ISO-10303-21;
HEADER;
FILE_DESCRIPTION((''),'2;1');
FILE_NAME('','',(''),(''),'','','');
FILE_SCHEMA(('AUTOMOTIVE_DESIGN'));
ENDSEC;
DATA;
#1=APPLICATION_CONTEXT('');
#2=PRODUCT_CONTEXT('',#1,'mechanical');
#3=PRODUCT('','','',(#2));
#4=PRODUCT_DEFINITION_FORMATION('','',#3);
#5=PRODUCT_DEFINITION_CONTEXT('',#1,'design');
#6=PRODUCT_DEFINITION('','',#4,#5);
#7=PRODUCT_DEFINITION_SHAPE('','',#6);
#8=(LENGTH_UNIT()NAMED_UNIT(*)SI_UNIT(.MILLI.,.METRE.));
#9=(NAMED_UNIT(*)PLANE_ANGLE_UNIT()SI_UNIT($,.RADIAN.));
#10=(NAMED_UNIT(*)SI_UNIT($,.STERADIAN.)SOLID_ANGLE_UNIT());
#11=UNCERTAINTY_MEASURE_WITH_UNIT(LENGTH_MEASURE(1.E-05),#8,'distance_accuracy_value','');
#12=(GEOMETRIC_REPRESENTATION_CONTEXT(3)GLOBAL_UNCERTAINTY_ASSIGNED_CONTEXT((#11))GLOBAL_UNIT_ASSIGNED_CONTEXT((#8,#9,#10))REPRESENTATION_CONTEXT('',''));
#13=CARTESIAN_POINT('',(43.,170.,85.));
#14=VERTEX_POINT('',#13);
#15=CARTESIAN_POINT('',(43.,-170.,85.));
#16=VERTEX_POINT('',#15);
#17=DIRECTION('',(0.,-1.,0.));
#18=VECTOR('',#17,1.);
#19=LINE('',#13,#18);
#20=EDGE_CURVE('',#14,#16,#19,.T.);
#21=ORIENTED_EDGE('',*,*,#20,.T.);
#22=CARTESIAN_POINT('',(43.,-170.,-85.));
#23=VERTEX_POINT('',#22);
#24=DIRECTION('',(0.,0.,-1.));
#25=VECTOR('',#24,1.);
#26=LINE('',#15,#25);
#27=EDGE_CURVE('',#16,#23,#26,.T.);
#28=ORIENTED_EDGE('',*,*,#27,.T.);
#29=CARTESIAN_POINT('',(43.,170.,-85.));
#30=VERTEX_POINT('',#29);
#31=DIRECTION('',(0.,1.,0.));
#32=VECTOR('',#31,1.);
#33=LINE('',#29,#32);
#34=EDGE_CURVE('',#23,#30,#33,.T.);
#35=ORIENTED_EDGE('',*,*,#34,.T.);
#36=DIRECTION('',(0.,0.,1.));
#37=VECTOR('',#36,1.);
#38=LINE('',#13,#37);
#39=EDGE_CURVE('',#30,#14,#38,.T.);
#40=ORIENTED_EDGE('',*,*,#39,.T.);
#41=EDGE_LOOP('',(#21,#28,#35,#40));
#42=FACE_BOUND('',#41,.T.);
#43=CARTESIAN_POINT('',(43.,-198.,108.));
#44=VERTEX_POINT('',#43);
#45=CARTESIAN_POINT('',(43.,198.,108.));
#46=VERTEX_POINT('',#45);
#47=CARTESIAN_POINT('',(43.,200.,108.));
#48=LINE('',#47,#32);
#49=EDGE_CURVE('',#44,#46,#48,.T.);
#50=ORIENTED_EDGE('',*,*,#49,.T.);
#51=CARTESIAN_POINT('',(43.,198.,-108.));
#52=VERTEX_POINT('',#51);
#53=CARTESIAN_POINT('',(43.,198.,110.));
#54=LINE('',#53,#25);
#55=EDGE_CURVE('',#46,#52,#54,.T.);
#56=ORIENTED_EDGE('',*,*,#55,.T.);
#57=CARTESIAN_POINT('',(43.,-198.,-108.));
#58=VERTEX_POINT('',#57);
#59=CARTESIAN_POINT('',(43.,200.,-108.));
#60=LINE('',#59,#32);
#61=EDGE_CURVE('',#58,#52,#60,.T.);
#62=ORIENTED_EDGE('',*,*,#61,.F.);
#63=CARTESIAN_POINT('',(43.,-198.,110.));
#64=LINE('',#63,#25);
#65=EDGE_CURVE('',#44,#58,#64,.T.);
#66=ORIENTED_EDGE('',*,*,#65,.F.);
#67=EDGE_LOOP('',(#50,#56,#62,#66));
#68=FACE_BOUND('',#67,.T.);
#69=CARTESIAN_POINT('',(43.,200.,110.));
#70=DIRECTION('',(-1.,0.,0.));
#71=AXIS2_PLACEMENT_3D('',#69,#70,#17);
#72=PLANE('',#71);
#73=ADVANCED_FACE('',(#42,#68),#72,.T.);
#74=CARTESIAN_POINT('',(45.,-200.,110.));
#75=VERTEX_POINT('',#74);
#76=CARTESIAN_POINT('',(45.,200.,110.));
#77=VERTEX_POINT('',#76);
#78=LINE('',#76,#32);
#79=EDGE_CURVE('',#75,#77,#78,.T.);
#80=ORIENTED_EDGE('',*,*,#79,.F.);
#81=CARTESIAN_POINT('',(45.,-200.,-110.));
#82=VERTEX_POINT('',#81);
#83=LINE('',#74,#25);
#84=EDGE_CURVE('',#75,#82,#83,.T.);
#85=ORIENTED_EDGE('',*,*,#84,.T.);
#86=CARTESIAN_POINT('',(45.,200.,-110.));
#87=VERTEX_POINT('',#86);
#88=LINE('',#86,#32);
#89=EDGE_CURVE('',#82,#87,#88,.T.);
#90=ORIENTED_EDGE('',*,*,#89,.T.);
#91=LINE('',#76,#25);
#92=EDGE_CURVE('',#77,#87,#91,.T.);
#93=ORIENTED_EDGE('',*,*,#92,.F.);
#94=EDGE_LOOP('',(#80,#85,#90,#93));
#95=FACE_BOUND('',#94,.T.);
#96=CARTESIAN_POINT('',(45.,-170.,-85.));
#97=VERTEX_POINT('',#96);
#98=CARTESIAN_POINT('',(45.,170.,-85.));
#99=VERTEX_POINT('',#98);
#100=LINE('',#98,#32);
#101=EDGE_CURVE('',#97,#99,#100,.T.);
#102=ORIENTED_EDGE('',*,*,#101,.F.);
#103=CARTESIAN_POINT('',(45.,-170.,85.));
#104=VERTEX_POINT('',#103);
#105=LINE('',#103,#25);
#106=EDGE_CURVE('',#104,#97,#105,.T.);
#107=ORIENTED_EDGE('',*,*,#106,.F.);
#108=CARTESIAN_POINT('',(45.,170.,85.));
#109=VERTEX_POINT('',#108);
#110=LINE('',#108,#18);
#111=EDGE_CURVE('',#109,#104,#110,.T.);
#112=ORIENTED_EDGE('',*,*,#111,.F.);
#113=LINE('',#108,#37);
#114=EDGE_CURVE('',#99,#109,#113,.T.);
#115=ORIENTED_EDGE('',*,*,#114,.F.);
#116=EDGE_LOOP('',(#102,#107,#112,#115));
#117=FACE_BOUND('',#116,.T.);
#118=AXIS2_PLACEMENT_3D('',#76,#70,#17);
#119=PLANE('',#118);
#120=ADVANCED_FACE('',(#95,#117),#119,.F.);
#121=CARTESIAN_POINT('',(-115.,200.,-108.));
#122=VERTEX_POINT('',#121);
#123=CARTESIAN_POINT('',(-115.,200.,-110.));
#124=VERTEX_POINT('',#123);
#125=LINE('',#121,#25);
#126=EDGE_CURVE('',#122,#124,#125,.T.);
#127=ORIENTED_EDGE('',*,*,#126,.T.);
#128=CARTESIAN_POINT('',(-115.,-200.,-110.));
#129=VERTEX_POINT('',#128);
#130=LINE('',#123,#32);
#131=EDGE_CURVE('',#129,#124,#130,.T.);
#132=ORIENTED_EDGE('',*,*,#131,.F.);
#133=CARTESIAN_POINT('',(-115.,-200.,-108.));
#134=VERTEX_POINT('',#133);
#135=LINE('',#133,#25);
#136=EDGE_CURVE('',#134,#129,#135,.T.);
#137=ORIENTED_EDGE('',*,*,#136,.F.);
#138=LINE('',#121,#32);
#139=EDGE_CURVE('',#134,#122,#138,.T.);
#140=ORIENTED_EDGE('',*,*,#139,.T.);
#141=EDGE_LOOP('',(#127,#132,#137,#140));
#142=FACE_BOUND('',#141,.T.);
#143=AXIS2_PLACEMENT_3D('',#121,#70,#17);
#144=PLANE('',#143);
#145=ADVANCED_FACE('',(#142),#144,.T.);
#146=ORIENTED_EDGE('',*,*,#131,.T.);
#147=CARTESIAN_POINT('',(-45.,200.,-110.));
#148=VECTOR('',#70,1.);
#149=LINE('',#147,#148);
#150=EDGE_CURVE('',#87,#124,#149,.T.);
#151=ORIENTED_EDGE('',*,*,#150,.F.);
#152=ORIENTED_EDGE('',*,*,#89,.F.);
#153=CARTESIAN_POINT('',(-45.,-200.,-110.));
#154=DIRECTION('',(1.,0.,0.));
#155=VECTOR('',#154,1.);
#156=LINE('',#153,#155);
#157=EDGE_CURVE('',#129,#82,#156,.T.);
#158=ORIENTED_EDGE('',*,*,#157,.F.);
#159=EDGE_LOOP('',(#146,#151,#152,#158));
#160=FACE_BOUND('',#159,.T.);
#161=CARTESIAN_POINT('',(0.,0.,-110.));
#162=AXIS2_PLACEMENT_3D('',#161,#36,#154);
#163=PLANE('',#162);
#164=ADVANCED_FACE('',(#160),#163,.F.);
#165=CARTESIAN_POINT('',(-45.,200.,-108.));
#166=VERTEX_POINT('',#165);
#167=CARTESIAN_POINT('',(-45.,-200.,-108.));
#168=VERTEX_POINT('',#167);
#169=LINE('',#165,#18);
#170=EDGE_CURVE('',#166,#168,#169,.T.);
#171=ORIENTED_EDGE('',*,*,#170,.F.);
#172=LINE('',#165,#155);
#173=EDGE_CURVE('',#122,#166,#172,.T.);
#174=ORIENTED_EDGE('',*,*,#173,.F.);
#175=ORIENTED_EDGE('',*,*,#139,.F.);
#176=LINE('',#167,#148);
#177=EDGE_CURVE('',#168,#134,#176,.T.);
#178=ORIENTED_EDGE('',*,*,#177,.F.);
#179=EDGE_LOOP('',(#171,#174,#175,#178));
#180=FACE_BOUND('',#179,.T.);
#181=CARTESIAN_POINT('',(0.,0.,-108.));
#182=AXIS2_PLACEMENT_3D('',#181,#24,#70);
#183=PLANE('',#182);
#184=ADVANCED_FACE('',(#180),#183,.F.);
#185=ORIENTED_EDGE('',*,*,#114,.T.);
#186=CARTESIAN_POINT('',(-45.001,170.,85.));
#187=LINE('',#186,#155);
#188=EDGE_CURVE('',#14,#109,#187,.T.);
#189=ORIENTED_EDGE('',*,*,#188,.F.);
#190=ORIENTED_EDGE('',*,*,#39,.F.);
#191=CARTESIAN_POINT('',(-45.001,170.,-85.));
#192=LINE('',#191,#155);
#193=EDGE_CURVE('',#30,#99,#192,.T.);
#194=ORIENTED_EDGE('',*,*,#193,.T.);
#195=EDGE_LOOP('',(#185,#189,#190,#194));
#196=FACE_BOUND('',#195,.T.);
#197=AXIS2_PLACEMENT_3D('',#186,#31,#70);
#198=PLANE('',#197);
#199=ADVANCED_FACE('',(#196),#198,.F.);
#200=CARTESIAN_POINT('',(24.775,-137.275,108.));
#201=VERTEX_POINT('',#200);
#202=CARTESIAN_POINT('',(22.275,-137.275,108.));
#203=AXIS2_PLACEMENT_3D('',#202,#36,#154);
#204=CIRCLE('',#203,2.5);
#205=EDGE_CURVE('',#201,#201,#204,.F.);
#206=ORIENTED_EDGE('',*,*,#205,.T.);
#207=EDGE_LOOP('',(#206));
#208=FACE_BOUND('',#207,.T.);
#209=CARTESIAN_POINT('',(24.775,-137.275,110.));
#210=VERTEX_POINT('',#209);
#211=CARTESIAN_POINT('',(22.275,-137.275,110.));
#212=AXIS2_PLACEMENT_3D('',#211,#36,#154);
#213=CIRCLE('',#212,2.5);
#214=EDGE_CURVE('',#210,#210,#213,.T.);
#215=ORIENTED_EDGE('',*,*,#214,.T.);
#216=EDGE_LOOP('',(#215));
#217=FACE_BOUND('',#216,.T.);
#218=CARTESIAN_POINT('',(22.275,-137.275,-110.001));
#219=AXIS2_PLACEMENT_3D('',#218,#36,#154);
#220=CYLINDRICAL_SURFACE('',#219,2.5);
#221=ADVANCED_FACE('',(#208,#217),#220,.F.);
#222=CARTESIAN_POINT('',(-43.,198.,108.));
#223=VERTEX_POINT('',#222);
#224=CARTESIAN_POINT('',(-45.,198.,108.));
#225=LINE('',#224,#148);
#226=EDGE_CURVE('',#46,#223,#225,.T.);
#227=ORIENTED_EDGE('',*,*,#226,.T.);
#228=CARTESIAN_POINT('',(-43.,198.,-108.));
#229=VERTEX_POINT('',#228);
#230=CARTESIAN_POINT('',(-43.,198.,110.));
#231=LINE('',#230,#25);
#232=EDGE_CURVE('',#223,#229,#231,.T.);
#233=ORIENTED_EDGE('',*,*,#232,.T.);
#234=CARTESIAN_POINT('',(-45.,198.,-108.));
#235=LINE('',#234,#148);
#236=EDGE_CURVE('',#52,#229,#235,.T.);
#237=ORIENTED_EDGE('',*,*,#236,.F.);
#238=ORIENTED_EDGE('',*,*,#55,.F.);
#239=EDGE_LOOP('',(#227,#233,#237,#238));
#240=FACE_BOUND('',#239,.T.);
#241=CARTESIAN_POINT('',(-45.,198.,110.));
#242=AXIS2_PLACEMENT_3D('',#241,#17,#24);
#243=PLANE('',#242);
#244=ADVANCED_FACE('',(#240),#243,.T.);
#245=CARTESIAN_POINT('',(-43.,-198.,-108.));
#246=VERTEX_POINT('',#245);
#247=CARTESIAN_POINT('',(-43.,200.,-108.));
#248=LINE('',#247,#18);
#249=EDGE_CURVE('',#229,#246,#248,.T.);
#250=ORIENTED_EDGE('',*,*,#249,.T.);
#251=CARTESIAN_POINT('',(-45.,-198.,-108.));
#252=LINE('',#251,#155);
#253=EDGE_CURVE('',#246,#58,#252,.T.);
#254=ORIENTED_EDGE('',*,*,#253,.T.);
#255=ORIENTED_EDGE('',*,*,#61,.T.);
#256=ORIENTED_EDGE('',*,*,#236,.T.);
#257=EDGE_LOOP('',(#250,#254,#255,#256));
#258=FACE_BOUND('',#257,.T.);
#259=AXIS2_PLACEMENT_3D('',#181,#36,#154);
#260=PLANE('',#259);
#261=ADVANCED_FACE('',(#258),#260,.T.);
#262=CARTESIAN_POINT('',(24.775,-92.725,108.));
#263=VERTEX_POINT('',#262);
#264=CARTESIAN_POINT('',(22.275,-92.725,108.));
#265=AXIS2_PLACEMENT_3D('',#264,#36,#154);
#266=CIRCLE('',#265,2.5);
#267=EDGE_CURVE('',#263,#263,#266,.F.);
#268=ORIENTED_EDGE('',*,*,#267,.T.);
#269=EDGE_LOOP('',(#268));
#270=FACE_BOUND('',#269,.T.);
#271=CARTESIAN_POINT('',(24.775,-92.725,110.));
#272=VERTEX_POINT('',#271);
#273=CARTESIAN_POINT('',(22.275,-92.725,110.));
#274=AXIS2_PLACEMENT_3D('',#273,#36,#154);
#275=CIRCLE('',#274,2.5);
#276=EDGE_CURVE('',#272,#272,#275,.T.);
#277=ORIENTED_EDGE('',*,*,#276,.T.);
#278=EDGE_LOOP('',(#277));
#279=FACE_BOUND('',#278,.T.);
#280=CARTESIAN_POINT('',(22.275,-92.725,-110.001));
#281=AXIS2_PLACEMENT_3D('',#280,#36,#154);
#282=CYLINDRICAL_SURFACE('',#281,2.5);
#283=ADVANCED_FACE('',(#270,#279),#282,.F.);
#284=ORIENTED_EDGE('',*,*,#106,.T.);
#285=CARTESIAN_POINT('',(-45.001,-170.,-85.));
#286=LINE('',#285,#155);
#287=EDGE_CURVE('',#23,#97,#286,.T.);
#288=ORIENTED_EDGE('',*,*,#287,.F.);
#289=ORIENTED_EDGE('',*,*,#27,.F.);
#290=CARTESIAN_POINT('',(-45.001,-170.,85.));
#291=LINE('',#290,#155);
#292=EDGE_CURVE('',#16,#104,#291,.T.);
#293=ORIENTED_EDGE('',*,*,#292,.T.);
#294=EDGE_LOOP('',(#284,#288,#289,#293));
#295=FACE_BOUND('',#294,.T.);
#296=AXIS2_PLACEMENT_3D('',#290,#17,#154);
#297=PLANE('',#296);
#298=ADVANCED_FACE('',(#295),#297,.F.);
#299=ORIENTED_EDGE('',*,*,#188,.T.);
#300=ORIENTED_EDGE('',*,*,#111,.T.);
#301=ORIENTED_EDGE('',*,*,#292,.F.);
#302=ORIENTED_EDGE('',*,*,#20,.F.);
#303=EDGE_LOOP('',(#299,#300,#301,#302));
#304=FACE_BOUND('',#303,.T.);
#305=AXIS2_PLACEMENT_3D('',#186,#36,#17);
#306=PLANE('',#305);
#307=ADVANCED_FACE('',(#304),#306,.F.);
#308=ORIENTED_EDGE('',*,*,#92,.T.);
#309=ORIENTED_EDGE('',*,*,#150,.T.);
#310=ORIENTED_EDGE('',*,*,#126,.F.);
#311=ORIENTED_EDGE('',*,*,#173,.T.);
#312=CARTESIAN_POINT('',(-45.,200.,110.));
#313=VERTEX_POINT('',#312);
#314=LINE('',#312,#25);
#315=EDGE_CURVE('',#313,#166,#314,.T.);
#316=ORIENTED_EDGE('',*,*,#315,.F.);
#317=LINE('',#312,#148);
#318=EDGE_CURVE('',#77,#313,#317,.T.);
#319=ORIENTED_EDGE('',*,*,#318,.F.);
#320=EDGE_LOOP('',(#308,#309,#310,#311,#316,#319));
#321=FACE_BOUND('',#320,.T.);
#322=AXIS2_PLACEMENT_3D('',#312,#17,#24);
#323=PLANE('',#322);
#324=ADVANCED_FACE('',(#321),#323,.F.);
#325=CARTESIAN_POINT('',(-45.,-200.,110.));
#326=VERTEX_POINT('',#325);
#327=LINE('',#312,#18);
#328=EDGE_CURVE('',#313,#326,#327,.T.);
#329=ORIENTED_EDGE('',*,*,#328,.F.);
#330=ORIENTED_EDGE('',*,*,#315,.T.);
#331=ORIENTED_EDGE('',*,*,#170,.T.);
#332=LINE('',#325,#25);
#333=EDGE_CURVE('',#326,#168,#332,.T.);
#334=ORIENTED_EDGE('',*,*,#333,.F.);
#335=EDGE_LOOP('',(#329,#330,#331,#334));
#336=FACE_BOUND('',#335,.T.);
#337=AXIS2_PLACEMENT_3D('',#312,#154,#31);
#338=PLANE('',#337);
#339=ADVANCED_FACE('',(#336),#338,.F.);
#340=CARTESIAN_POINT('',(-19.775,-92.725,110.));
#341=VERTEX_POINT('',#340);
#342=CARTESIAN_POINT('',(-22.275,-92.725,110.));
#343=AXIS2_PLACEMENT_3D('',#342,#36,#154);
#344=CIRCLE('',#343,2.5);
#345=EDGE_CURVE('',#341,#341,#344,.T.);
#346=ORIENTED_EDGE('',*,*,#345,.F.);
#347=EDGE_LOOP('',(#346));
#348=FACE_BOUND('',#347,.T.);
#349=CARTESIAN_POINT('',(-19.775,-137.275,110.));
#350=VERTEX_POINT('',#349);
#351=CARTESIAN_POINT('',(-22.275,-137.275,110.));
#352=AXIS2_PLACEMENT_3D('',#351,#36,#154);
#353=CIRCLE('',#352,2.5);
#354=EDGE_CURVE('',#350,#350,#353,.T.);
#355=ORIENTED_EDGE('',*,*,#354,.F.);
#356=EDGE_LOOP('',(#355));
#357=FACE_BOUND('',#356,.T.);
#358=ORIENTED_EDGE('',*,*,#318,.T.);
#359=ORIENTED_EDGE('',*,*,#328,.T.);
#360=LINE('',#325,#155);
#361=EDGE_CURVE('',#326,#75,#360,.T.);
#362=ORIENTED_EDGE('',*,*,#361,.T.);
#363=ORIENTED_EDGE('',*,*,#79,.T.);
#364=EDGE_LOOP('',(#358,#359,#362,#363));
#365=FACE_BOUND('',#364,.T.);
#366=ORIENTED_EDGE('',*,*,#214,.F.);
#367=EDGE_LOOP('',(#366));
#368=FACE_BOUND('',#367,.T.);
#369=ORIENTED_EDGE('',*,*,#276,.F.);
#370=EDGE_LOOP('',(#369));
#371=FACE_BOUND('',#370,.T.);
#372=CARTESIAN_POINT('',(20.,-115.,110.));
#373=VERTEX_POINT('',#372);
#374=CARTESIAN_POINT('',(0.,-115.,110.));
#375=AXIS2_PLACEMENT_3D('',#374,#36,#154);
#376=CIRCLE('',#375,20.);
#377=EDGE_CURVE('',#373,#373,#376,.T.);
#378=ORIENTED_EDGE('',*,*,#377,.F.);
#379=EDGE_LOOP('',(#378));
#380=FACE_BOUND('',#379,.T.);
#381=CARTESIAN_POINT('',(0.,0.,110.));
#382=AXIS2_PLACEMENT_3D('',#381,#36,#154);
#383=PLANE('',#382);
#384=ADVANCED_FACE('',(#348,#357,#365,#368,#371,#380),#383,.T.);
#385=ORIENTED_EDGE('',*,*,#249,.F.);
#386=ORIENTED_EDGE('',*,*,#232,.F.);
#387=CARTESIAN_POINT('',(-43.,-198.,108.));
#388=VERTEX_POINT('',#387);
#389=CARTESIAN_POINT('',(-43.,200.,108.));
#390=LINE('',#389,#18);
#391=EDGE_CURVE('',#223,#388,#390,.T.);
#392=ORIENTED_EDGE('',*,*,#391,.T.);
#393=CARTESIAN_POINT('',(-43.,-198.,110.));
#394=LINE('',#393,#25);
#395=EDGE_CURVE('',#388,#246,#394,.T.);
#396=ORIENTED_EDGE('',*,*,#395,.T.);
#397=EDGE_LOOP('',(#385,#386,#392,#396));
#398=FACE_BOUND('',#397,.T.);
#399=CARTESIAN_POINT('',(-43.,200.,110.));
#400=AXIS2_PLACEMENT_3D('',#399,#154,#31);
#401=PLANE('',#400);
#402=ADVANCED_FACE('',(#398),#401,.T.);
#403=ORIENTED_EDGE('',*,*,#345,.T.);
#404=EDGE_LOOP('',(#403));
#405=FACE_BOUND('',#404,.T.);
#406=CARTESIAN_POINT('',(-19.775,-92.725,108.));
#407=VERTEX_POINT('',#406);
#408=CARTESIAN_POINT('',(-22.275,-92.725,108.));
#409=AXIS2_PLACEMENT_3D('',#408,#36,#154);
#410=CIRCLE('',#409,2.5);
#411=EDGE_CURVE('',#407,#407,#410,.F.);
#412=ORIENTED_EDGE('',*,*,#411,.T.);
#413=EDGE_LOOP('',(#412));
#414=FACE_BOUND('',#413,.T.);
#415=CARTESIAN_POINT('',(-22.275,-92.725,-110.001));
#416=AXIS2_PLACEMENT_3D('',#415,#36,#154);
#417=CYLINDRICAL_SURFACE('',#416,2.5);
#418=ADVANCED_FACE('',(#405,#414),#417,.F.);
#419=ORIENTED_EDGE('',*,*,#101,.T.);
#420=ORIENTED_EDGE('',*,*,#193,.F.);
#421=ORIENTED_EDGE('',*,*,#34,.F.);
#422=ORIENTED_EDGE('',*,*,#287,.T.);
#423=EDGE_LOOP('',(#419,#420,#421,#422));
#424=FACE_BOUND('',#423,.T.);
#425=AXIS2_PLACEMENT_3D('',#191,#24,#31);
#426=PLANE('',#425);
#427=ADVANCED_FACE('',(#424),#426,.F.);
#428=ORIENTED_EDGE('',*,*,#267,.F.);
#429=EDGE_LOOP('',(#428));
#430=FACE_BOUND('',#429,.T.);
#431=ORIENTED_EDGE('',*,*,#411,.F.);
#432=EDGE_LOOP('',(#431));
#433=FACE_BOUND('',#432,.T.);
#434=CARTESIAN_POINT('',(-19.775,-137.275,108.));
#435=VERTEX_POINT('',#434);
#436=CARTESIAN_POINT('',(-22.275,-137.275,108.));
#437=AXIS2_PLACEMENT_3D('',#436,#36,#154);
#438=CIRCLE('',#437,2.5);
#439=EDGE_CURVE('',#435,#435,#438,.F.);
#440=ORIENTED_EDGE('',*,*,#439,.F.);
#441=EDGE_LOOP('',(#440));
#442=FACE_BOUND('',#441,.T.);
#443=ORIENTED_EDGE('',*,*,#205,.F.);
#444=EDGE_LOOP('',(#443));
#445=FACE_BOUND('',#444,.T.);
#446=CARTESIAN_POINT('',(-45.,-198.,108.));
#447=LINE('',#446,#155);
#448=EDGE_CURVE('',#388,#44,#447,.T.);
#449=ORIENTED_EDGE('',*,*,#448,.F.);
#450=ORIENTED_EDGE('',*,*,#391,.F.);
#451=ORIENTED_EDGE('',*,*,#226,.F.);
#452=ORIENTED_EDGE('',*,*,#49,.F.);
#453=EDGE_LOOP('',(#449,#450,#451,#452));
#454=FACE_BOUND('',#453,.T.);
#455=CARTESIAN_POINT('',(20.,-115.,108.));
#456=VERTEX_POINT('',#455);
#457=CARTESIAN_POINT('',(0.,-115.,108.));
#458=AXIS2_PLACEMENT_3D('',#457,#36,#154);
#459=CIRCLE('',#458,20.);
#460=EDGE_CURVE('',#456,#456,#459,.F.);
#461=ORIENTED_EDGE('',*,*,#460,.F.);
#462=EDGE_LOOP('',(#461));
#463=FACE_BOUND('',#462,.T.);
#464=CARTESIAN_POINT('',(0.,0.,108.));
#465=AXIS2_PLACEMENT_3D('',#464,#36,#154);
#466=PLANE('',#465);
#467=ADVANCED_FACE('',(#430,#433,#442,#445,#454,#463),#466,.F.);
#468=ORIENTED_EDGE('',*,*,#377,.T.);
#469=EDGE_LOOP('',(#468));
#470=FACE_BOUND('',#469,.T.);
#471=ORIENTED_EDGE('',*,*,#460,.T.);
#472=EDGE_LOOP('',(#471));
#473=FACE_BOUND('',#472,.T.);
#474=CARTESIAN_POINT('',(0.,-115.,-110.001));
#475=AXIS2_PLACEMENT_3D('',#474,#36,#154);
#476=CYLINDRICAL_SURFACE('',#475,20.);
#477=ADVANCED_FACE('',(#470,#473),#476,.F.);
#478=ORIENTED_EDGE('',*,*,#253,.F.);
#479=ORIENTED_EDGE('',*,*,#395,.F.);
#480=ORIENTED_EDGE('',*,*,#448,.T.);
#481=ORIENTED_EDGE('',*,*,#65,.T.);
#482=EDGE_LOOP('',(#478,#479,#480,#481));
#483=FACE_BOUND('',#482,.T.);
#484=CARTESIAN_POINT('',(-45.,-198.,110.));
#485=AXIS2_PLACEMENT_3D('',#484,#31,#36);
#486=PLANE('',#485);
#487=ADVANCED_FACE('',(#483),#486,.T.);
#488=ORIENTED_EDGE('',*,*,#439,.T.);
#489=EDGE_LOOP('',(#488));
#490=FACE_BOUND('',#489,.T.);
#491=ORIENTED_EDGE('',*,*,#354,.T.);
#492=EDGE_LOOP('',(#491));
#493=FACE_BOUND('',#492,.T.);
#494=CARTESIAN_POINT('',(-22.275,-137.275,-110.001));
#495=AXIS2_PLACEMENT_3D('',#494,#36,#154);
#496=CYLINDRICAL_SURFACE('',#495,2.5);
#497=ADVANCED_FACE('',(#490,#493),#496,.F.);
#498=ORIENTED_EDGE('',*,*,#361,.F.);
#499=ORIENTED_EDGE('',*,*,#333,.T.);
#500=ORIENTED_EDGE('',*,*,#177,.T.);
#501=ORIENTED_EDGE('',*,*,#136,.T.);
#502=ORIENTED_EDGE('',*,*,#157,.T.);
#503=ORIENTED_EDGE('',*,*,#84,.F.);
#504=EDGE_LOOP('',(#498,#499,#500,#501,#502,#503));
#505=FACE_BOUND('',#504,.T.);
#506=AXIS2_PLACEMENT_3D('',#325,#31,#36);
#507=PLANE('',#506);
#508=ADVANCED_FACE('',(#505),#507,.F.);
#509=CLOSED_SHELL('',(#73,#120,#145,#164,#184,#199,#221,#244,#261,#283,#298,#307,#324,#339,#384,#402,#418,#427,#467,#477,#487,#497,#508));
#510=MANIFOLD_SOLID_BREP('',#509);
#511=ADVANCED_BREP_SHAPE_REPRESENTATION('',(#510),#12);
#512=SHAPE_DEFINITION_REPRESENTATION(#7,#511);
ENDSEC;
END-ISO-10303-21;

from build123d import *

# Parameters (mm, degrees)
SKETCH1_W           = 90
SKETCH1_H           = 400
BOSS_EXTRUDE1_DEPTH = 110
SHELL1_T            = 2
CUT_EXTRUDE2_REACH  = 247.357
SKETCH2_W           = 170
SKETCH2_H           = 340
CUT_EXTRUDE3_REACH  = 302.707
SKETCH5_R           = 20
SKETCH5_R_2         = 2.5
SKETCH6_W           = 70
SKETCH6_H           = 400
BOSS_EXTRUDE2_DEPTH = 2


with BuildPart() as part:
    # Sketch1 → Boss-Extrude1 (new, symmetric)
    with BuildSketch(Plane.XY):
        Rectangle(SKETCH1_W, SKETCH1_H)
    extrude(amount=BOSS_EXTRUDE1_DEPTH, both=True)

    # Shell1 (no face opened: a closed hollow body)
    add(offset(amount=-SHELL1_T, mode=Mode.PRIVATE), mode=Mode.SUBTRACT)

    # Sketch2 → Cut-Extrude2 (cut, up to next)
    with BuildSketch(Plane(origin=(45, 0, 0), x_dir=(0, 0, -1), z_dir=(1, 0, 0)), mode=Mode.PRIVATE) as cut_extrude2_sk1:
        Rectangle(SKETCH2_W, SKETCH2_H)
    cut_extrude2_tool1 = extrude(cut_extrude2_sk1.sketch, amount=-CUT_EXTRUDE2_REACH, mode=Mode.PRIVATE) & part.part
    add(cut_extrude2_tool1.solids().sort_by_distance((45, 0, 0))[0], mode=Mode.SUBTRACT)

    # Sketch5 → Cut-Extrude3 (cut, up to next)
    with BuildSketch(Plane.XY.offset(110), mode=Mode.PRIVATE) as cut_extrude3_sk1:
        with Locations((0, -115)):
            Circle(SKETCH5_R)
    cut_extrude3_tool1 = extrude(cut_extrude3_sk1.sketch, amount=-CUT_EXTRUDE3_REACH, mode=Mode.PRIVATE) & part.part
    # Sketch5 → Cut-Extrude3 (cut, up to next)
    with BuildSketch(Plane.XY.offset(110), mode=Mode.PRIVATE) as cut_extrude3_sk2:
        with Locations((-22.275, -92.725)):
            Circle(SKETCH5_R_2)
    cut_extrude3_tool2 = extrude(cut_extrude3_sk2.sketch, amount=-CUT_EXTRUDE3_REACH, mode=Mode.PRIVATE) & part.part
    # Sketch5 → Cut-Extrude3 (cut, up to next)
    with BuildSketch(Plane.XY.offset(110), mode=Mode.PRIVATE) as cut_extrude3_sk3:
        with Locations((22.275, -92.725)):
            Circle(SKETCH5_R_2)
    cut_extrude3_tool3 = extrude(cut_extrude3_sk3.sketch, amount=-CUT_EXTRUDE3_REACH, mode=Mode.PRIVATE) & part.part
    # Sketch5 → Cut-Extrude3 (cut, up to next)
    with BuildSketch(Plane.XY.offset(110), mode=Mode.PRIVATE) as cut_extrude3_sk4:
        with Locations((-22.275, -137.275)):
            Circle(SKETCH5_R_2)
    cut_extrude3_tool4 = extrude(cut_extrude3_sk4.sketch, amount=-CUT_EXTRUDE3_REACH, mode=Mode.PRIVATE) & part.part
    # Sketch5 → Cut-Extrude3 (cut, up to next)
    with BuildSketch(Plane.XY.offset(110), mode=Mode.PRIVATE) as cut_extrude3_sk5:
        with Locations((22.275, -137.275)):
            Circle(SKETCH5_R_2)
    cut_extrude3_tool5 = extrude(cut_extrude3_sk5.sketch, amount=-CUT_EXTRUDE3_REACH, mode=Mode.PRIVATE) & part.part
    add(cut_extrude3_tool1.solids().sort_by_distance((0, -115, 110))[0], mode=Mode.SUBTRACT)
    add(cut_extrude3_tool2.solids().sort_by_distance((-22.275, -92.725, 110))[0], mode=Mode.SUBTRACT)
    add(cut_extrude3_tool3.solids().sort_by_distance((22.275, -92.725, 110))[0], mode=Mode.SUBTRACT)
    add(cut_extrude3_tool4.solids().sort_by_distance((-22.275, -137.275, 110))[0], mode=Mode.SUBTRACT)
    add(cut_extrude3_tool5.solids().sort_by_distance((22.275, -137.275, 110))[0], mode=Mode.SUBTRACT)

    # Sketch6 → Boss-Extrude2 (add)
    with BuildSketch(Plane(origin=(0, 0, -110), x_dir=(-1, 0, 0), z_dir=(0, 0, -1))):
        with Locations((80, 0)):
            Rectangle(SKETCH6_W, SKETCH6_H)
    extrude(amount=-BOSS_EXTRUDE2_DEPTH)


solid = part.part
